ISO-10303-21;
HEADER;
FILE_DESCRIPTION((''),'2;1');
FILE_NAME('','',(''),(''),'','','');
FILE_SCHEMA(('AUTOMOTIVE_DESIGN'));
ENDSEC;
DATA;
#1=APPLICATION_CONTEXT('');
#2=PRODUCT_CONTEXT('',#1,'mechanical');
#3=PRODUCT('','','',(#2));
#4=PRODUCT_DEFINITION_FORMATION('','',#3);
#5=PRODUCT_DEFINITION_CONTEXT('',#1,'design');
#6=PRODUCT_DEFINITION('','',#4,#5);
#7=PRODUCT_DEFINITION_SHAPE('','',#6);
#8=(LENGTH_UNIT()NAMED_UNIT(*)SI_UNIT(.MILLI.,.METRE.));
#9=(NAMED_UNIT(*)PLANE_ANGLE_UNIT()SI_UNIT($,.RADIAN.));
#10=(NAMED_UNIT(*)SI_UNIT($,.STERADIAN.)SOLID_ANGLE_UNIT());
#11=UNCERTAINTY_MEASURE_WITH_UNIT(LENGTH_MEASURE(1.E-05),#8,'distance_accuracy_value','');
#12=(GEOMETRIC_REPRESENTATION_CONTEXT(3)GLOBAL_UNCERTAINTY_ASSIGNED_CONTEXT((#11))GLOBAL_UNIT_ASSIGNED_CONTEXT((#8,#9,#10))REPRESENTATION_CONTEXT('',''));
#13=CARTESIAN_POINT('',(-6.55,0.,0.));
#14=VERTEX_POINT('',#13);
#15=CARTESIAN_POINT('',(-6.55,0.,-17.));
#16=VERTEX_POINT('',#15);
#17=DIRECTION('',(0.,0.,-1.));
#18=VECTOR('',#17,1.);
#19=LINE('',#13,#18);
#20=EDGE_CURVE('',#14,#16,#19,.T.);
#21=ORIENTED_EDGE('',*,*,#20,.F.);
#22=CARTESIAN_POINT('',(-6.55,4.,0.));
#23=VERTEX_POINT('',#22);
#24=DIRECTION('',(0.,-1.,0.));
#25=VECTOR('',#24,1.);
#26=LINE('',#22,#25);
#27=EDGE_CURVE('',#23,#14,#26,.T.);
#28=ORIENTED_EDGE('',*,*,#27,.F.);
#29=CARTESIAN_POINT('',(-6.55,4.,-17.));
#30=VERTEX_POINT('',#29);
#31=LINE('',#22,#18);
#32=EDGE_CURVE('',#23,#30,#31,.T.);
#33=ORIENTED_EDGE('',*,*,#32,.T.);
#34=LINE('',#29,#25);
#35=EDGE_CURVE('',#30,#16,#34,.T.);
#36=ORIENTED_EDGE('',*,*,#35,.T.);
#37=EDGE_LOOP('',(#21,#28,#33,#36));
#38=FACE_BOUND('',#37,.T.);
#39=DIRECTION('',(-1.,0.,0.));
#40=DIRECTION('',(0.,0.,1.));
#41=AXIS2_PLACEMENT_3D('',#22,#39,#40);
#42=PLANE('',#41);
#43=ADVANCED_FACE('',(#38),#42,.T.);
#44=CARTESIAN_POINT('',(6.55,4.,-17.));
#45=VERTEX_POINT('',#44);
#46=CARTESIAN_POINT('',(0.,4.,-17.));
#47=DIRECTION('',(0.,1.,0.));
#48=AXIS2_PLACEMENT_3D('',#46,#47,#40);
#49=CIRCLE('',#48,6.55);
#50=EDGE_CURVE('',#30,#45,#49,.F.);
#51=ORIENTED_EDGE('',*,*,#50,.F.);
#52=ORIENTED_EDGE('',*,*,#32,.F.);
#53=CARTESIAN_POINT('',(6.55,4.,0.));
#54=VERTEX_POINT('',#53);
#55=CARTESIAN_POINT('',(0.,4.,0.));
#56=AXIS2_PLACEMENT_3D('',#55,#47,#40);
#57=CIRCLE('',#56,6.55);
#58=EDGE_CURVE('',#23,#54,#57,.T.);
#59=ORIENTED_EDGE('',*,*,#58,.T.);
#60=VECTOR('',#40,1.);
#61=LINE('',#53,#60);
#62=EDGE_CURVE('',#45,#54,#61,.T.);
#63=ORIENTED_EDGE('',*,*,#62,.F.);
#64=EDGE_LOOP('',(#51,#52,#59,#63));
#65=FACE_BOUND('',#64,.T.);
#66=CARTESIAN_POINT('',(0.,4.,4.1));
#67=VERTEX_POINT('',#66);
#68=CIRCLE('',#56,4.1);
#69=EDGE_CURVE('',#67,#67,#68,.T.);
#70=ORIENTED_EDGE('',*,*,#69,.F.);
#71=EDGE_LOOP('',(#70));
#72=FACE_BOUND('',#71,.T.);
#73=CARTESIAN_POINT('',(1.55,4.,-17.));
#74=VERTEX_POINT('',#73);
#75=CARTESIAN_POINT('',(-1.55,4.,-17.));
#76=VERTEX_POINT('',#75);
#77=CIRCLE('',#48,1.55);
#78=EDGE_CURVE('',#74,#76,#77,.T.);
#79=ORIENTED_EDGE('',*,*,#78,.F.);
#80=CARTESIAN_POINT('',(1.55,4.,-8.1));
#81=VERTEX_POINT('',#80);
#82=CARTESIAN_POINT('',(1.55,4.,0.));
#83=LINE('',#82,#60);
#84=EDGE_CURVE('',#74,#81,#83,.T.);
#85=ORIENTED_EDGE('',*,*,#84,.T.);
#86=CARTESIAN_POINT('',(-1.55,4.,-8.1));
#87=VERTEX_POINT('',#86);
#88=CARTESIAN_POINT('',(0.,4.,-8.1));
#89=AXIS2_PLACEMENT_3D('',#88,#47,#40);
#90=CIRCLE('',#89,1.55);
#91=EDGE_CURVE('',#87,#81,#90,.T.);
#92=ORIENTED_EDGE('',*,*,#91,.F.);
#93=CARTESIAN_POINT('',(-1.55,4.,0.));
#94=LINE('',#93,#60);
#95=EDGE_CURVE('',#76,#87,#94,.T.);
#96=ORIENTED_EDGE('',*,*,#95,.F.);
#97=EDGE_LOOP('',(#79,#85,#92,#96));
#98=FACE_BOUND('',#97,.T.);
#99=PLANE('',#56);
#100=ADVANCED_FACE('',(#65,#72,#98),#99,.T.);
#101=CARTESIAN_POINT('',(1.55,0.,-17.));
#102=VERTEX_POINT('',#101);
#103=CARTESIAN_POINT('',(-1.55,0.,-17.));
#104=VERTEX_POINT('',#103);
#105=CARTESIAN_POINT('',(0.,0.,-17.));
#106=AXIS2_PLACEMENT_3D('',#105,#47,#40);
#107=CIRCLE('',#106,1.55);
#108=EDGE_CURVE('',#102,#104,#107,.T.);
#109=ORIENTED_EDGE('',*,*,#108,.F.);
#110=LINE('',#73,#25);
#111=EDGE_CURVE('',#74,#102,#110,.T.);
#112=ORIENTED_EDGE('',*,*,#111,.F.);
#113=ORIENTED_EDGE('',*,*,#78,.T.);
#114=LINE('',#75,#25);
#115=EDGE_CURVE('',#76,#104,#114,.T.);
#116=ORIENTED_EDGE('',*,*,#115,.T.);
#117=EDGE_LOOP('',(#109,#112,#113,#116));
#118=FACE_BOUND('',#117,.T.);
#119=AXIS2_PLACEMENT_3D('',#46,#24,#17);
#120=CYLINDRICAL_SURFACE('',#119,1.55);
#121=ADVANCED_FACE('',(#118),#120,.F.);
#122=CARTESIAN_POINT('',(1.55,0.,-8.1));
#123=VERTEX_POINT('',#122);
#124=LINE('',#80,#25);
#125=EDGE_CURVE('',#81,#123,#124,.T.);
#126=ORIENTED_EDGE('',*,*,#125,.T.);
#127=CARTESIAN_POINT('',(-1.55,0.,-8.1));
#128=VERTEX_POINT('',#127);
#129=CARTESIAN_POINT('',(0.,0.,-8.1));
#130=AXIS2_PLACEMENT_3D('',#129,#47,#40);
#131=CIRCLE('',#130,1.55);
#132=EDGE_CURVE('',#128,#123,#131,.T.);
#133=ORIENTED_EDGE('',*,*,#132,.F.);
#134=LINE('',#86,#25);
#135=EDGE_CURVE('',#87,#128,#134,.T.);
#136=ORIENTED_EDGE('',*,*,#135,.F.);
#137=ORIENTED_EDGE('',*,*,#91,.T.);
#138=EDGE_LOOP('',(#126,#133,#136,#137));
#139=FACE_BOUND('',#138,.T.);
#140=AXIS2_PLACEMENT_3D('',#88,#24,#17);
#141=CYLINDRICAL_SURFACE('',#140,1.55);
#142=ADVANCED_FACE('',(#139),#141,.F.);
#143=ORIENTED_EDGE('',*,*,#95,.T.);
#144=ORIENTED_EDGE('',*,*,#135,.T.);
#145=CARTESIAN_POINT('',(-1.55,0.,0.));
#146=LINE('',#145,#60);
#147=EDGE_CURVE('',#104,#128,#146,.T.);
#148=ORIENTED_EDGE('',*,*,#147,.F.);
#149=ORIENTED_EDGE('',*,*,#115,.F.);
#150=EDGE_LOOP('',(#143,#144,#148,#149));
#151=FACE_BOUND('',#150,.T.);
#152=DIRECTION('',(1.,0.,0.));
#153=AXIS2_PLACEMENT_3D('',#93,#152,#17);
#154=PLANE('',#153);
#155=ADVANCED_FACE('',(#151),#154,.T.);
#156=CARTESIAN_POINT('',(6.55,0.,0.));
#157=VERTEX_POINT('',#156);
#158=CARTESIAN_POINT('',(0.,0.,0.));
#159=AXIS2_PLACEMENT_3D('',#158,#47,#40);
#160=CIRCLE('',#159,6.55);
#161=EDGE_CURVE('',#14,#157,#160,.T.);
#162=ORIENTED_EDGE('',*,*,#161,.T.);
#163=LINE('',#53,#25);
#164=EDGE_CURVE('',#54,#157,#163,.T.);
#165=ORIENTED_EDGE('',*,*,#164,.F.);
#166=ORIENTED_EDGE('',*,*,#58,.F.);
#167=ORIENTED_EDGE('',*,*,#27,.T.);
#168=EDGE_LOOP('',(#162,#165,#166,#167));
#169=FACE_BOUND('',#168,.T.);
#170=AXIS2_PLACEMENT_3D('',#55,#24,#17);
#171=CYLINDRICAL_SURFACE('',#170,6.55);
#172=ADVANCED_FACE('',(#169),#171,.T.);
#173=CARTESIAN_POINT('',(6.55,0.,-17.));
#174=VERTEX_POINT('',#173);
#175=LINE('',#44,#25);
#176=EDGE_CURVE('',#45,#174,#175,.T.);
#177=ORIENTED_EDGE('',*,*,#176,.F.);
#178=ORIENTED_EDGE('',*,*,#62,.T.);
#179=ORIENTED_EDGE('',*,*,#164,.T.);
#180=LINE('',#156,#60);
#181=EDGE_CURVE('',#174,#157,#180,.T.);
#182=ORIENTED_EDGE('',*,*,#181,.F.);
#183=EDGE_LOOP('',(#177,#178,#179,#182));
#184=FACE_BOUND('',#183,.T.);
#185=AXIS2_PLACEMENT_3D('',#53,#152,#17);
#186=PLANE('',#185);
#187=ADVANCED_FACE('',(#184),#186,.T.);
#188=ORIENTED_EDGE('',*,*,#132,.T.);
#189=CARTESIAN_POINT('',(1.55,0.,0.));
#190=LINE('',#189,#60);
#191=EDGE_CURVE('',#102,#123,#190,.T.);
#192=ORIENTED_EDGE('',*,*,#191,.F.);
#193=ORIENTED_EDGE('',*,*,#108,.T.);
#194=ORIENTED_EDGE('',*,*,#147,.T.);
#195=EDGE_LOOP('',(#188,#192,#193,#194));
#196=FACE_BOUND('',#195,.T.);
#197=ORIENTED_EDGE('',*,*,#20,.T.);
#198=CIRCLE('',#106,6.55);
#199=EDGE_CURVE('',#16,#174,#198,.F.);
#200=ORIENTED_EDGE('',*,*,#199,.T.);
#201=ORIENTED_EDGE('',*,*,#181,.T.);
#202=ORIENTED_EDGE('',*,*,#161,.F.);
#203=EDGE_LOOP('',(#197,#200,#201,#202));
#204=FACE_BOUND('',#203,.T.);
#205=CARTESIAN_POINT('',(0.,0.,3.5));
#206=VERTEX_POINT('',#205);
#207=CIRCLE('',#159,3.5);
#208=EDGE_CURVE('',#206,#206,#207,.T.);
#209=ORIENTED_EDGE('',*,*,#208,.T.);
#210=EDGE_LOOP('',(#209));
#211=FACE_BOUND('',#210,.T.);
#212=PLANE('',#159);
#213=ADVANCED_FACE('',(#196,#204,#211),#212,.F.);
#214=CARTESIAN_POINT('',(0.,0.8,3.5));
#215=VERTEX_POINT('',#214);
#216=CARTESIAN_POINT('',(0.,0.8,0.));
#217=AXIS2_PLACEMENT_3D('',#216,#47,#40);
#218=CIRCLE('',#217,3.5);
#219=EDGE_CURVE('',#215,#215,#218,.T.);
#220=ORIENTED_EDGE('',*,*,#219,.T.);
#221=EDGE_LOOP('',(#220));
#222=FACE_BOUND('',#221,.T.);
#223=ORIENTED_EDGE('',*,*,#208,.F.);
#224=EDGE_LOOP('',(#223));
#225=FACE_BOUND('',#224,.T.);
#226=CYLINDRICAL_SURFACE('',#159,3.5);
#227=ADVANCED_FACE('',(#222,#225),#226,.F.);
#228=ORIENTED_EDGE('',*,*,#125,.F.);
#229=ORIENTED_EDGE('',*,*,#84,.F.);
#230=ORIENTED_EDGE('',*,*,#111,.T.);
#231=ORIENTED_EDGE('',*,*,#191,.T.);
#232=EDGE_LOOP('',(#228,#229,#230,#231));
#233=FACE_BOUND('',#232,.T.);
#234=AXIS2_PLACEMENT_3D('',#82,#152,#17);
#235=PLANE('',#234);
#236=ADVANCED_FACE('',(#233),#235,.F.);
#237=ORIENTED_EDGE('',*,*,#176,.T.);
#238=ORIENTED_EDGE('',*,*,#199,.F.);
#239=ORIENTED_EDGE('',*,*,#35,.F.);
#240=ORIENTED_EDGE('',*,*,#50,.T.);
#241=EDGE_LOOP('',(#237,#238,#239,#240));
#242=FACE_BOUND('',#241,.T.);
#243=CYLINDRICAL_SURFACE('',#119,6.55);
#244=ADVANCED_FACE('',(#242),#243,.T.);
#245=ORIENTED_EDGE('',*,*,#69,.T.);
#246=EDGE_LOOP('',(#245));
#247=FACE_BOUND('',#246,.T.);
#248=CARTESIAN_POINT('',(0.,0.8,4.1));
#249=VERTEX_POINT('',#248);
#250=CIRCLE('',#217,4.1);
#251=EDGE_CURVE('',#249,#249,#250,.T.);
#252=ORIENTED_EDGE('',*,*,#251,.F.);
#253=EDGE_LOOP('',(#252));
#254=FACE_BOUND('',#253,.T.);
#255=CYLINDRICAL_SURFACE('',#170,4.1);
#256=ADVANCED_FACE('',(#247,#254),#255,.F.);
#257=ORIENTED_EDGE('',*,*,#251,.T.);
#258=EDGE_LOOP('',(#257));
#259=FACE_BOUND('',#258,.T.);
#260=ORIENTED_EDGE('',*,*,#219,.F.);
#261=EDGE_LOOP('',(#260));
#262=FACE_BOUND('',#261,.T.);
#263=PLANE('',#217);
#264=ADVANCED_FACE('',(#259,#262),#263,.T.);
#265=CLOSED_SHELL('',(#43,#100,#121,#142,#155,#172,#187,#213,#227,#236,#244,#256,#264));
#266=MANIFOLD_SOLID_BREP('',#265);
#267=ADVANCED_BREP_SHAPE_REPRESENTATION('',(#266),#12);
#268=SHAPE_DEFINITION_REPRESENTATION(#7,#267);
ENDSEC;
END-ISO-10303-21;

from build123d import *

# Parameters (mm, degrees)
SKETCH1_R           = 4.1
BOSS_EXTRUDE1_DEPTH = 4
SKETCH2_R           = 4.1
BOSS_EXTRUDE2_DEPTH = 0.8
SKETCH3_R           = 3.5
CUT_EXTRUDE1_DEPTH  = 1.8


with BuildPart() as part:
    # Sketch1 → Boss-Extrude1 (new body)
    with BuildSketch(Plane(origin=(0, 0, 0), x_dir=(1, 0, 0), z_dir=(0, 1, 0))):
        with BuildLine():
            ThreePointArc((-6.55, 0), (0, -6.55), (6.55, 0))
            Line((6.55, 0), (6.55, 17))
            ThreePointArc((6.55, 17), (0, 23.55), (-6.55, 17))
            Line((-6.55, 17), (-6.55, 0))
        make_face()
        Circle(SKETCH1_R, mode=Mode.SUBTRACT)
        with BuildLine():
            Line((-1.55, 8.1), (-1.55, 17))
            ThreePointArc((-1.55, 17), (0, 18.55), (1.55, 17))
            Line((1.55, 17), (1.55, 8.1))
            ThreePointArc((1.55, 8.1), (0, 6.55), (-1.55, 8.1))
        make_face(mode=Mode.SUBTRACT)
    extrude(amount=BOSS_EXTRUDE1_DEPTH)

    # Sketch2 → Boss-Extrude2 (add)
    with BuildSketch(Plane(origin=(0, 0, 0), x_dir=(1, 0, 0), z_dir=(0, 1, 0))):
        Circle(SKETCH2_R)
    extrude(amount=BOSS_EXTRUDE2_DEPTH)

    # Sketch3 → Cut-Extrude1 (cut, through all)
    with BuildSketch(Plane(origin=(0, 0.8, 0), x_dir=(1, 0, 0), z_dir=(0, 1, 0))):
        Circle(SKETCH3_R)
    extrude(amount=-CUT_EXTRUDE1_DEPTH, mode=Mode.SUBTRACT)


solid = part.part
